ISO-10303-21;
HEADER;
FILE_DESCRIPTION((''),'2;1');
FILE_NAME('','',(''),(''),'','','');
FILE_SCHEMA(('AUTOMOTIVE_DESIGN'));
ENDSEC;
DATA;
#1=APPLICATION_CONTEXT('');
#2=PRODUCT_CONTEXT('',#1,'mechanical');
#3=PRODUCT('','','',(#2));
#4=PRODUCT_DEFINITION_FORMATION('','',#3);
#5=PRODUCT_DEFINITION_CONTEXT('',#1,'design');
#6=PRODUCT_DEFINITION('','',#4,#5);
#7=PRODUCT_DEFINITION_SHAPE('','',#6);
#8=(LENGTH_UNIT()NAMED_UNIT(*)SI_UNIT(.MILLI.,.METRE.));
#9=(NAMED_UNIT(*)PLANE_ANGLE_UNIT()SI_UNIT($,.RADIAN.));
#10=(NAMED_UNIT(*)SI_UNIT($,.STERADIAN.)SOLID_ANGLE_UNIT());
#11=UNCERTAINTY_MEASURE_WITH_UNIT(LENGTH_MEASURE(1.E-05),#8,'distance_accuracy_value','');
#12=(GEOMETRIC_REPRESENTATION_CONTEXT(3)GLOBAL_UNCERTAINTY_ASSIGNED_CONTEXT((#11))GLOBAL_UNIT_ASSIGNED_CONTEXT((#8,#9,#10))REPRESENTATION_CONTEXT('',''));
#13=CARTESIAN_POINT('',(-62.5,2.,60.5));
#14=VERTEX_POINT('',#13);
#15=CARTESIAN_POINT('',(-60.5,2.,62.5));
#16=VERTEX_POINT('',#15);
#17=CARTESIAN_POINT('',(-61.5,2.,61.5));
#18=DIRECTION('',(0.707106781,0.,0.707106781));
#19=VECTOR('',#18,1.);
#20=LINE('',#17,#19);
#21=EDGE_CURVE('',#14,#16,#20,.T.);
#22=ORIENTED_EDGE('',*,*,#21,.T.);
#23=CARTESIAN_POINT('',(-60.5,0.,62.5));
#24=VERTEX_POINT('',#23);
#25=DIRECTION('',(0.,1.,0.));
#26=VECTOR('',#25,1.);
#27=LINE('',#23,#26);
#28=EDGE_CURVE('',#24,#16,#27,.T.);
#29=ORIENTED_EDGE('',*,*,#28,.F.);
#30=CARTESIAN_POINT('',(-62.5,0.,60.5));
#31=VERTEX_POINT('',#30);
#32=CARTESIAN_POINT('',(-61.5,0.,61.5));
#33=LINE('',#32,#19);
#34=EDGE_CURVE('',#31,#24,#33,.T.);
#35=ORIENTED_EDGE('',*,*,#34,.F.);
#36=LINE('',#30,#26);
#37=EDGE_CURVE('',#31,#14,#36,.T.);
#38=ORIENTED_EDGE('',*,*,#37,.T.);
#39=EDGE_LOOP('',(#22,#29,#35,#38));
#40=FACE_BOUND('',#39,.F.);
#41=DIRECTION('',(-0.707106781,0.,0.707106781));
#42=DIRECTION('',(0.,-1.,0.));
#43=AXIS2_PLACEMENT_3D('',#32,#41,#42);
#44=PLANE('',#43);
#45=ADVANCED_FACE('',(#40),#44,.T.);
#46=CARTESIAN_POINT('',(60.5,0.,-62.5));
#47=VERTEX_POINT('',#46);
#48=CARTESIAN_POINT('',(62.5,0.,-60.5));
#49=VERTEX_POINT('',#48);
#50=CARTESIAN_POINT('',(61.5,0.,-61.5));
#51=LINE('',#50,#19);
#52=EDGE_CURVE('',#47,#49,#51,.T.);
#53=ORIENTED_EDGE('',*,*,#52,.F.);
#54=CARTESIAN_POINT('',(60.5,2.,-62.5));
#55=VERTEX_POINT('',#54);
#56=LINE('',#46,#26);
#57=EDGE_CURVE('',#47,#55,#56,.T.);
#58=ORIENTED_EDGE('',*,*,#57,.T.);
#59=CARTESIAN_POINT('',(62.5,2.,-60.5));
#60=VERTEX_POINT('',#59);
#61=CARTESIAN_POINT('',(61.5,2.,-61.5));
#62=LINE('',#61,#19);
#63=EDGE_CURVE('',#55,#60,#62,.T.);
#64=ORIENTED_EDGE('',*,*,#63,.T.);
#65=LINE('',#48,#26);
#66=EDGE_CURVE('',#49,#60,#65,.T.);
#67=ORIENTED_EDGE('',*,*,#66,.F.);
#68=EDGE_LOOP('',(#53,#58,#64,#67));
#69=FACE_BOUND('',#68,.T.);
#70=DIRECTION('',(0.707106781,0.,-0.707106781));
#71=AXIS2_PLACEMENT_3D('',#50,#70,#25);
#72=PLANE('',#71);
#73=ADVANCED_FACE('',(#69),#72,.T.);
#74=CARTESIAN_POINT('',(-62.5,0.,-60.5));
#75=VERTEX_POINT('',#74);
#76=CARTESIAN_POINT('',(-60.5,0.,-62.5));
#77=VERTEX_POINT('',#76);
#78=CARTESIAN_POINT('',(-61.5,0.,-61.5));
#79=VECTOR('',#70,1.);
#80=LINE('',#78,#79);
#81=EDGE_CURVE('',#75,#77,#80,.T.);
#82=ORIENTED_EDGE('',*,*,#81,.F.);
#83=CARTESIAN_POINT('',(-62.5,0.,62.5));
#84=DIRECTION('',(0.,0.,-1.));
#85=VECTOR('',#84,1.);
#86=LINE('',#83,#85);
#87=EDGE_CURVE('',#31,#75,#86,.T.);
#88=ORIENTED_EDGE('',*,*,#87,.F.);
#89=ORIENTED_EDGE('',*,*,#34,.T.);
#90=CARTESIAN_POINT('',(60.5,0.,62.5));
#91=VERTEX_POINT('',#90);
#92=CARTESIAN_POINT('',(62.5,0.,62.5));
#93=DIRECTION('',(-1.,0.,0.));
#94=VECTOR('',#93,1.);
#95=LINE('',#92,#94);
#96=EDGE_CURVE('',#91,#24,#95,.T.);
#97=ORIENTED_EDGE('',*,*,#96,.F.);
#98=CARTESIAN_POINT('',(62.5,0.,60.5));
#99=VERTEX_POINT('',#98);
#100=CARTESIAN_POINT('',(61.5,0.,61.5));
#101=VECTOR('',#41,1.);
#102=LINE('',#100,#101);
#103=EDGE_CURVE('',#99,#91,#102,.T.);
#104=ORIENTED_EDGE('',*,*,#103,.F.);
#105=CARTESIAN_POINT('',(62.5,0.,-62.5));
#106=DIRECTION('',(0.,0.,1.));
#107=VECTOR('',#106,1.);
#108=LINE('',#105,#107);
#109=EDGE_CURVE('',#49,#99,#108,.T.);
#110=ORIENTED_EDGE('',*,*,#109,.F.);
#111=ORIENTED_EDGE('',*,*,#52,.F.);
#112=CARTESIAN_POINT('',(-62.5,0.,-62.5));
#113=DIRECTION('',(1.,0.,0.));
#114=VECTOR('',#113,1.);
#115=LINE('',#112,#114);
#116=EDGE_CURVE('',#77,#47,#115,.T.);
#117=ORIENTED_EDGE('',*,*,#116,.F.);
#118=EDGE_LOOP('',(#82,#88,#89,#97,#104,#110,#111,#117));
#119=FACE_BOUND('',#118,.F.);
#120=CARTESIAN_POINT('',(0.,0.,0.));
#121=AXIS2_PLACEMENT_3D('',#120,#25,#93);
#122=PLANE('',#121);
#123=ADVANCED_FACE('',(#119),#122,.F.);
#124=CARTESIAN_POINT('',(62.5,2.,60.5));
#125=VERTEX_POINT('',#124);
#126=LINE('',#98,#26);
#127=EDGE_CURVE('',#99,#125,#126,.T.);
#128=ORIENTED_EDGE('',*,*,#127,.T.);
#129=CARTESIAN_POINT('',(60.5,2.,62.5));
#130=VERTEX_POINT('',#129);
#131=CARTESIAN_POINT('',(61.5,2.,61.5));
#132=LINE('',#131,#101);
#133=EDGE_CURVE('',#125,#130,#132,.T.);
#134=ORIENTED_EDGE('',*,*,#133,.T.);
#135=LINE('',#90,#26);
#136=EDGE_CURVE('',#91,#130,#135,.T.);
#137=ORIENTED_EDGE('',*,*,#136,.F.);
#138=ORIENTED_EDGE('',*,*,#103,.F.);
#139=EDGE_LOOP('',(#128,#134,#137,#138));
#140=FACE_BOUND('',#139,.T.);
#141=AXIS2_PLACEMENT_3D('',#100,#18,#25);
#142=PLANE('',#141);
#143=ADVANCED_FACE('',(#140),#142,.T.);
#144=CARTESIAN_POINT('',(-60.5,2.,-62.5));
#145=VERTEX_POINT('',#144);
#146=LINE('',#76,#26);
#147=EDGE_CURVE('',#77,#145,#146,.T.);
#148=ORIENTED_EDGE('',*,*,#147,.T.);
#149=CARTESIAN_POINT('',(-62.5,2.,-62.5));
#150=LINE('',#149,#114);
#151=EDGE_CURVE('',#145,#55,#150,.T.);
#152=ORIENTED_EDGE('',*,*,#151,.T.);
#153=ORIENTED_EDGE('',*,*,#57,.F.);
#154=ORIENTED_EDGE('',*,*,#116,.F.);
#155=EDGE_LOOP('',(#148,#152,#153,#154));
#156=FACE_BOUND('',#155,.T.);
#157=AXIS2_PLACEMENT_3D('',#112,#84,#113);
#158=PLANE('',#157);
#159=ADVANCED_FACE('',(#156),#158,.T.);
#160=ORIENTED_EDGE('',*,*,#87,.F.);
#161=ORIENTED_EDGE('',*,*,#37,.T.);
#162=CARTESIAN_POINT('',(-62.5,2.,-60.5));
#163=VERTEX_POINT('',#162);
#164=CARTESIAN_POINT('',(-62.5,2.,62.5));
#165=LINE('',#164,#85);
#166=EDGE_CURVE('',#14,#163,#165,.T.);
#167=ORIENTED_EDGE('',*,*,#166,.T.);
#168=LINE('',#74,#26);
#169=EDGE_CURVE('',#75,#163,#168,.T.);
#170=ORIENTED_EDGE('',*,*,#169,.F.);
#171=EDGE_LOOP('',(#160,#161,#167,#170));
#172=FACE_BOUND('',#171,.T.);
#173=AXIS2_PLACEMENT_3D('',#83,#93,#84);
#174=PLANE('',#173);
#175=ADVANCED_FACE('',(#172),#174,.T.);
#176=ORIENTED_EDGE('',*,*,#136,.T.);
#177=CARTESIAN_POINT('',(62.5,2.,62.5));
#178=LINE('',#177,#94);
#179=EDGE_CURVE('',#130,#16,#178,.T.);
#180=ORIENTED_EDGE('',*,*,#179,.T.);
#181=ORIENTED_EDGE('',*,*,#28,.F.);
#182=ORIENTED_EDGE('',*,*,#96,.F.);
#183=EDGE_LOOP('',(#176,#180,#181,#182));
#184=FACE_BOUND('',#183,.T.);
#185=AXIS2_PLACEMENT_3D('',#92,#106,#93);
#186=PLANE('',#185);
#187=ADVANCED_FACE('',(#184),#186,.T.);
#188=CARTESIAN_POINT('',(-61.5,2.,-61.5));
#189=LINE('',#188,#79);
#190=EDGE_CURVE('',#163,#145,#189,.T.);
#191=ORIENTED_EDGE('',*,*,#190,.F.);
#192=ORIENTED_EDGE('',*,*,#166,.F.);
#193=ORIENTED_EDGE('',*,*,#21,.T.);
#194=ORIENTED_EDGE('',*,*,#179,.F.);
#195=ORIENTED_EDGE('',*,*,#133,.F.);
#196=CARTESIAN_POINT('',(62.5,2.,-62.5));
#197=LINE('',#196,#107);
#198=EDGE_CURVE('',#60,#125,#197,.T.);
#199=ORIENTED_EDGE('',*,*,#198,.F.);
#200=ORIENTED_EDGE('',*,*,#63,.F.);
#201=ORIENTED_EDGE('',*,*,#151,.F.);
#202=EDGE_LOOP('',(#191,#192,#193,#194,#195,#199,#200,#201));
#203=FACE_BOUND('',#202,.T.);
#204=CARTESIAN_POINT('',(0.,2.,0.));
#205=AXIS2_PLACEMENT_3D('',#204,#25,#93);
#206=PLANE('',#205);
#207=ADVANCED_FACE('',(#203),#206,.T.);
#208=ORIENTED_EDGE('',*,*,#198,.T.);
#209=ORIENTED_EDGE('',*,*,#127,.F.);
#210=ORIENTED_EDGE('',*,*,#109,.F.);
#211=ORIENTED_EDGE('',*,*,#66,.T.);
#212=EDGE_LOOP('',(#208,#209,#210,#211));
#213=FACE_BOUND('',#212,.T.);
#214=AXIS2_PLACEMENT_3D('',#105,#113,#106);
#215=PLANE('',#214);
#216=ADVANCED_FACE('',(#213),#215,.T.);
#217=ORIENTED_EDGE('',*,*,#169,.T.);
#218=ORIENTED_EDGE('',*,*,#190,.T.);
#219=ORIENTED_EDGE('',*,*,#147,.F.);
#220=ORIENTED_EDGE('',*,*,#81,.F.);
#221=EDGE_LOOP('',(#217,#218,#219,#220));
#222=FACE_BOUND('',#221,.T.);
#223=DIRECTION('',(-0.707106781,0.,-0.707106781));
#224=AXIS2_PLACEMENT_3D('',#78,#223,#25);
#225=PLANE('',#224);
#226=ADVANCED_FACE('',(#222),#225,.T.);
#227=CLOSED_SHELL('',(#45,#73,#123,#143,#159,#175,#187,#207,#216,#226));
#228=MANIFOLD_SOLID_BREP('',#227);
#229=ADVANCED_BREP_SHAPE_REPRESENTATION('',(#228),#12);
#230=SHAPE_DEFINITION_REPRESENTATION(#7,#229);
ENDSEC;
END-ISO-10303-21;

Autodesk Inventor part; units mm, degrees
ref_plane "YZ Plane" through (0, 0, 0) normal (1, 0, 0) x (0, 1, 0)
ref_plane "XZ Plane" through (0, 0, 0) normal (0, 1, 0) x (-1, 0, 0)
ref_plane "XY Plane" through (0, 0, 0) normal (0, 0, 1) x (1, 0, 0)
sketch "Sketch1" plane through (0, 0, 0) normal (0, 1, 0) x (-1, 0, 0)
  line L0 (62.5, 62.5) -> (62.5, -62.5)
  line L1 (62.5, -62.5) -> (-62.5, -62.5)
  line L2 (-62.5, -62.5) -> (-62.5, 62.5)
  line L3 (-62.5, 62.5) -> (62.5, 62.5)
  line L4 (62.5, 62.5) -> (-62.5, -62.5) construction
  line L5 (62.5, -62.5) -> (-62.5, 62.5) construction
  point P0 (0, 0)
  dimension "d0" = 125
  dimension "d1" = 125
extrude "Extrusion1" add sketch "Sketch1" along normal blind 2
chamfer "Chamfer1" distance 2 angle 45 4 edges at (-62.5, 1, 62.5) (62.5, 1, 62.5) (-62.5, 1, -62.5) (62.5, 1, -62.5)
properties part number "print_platform"
